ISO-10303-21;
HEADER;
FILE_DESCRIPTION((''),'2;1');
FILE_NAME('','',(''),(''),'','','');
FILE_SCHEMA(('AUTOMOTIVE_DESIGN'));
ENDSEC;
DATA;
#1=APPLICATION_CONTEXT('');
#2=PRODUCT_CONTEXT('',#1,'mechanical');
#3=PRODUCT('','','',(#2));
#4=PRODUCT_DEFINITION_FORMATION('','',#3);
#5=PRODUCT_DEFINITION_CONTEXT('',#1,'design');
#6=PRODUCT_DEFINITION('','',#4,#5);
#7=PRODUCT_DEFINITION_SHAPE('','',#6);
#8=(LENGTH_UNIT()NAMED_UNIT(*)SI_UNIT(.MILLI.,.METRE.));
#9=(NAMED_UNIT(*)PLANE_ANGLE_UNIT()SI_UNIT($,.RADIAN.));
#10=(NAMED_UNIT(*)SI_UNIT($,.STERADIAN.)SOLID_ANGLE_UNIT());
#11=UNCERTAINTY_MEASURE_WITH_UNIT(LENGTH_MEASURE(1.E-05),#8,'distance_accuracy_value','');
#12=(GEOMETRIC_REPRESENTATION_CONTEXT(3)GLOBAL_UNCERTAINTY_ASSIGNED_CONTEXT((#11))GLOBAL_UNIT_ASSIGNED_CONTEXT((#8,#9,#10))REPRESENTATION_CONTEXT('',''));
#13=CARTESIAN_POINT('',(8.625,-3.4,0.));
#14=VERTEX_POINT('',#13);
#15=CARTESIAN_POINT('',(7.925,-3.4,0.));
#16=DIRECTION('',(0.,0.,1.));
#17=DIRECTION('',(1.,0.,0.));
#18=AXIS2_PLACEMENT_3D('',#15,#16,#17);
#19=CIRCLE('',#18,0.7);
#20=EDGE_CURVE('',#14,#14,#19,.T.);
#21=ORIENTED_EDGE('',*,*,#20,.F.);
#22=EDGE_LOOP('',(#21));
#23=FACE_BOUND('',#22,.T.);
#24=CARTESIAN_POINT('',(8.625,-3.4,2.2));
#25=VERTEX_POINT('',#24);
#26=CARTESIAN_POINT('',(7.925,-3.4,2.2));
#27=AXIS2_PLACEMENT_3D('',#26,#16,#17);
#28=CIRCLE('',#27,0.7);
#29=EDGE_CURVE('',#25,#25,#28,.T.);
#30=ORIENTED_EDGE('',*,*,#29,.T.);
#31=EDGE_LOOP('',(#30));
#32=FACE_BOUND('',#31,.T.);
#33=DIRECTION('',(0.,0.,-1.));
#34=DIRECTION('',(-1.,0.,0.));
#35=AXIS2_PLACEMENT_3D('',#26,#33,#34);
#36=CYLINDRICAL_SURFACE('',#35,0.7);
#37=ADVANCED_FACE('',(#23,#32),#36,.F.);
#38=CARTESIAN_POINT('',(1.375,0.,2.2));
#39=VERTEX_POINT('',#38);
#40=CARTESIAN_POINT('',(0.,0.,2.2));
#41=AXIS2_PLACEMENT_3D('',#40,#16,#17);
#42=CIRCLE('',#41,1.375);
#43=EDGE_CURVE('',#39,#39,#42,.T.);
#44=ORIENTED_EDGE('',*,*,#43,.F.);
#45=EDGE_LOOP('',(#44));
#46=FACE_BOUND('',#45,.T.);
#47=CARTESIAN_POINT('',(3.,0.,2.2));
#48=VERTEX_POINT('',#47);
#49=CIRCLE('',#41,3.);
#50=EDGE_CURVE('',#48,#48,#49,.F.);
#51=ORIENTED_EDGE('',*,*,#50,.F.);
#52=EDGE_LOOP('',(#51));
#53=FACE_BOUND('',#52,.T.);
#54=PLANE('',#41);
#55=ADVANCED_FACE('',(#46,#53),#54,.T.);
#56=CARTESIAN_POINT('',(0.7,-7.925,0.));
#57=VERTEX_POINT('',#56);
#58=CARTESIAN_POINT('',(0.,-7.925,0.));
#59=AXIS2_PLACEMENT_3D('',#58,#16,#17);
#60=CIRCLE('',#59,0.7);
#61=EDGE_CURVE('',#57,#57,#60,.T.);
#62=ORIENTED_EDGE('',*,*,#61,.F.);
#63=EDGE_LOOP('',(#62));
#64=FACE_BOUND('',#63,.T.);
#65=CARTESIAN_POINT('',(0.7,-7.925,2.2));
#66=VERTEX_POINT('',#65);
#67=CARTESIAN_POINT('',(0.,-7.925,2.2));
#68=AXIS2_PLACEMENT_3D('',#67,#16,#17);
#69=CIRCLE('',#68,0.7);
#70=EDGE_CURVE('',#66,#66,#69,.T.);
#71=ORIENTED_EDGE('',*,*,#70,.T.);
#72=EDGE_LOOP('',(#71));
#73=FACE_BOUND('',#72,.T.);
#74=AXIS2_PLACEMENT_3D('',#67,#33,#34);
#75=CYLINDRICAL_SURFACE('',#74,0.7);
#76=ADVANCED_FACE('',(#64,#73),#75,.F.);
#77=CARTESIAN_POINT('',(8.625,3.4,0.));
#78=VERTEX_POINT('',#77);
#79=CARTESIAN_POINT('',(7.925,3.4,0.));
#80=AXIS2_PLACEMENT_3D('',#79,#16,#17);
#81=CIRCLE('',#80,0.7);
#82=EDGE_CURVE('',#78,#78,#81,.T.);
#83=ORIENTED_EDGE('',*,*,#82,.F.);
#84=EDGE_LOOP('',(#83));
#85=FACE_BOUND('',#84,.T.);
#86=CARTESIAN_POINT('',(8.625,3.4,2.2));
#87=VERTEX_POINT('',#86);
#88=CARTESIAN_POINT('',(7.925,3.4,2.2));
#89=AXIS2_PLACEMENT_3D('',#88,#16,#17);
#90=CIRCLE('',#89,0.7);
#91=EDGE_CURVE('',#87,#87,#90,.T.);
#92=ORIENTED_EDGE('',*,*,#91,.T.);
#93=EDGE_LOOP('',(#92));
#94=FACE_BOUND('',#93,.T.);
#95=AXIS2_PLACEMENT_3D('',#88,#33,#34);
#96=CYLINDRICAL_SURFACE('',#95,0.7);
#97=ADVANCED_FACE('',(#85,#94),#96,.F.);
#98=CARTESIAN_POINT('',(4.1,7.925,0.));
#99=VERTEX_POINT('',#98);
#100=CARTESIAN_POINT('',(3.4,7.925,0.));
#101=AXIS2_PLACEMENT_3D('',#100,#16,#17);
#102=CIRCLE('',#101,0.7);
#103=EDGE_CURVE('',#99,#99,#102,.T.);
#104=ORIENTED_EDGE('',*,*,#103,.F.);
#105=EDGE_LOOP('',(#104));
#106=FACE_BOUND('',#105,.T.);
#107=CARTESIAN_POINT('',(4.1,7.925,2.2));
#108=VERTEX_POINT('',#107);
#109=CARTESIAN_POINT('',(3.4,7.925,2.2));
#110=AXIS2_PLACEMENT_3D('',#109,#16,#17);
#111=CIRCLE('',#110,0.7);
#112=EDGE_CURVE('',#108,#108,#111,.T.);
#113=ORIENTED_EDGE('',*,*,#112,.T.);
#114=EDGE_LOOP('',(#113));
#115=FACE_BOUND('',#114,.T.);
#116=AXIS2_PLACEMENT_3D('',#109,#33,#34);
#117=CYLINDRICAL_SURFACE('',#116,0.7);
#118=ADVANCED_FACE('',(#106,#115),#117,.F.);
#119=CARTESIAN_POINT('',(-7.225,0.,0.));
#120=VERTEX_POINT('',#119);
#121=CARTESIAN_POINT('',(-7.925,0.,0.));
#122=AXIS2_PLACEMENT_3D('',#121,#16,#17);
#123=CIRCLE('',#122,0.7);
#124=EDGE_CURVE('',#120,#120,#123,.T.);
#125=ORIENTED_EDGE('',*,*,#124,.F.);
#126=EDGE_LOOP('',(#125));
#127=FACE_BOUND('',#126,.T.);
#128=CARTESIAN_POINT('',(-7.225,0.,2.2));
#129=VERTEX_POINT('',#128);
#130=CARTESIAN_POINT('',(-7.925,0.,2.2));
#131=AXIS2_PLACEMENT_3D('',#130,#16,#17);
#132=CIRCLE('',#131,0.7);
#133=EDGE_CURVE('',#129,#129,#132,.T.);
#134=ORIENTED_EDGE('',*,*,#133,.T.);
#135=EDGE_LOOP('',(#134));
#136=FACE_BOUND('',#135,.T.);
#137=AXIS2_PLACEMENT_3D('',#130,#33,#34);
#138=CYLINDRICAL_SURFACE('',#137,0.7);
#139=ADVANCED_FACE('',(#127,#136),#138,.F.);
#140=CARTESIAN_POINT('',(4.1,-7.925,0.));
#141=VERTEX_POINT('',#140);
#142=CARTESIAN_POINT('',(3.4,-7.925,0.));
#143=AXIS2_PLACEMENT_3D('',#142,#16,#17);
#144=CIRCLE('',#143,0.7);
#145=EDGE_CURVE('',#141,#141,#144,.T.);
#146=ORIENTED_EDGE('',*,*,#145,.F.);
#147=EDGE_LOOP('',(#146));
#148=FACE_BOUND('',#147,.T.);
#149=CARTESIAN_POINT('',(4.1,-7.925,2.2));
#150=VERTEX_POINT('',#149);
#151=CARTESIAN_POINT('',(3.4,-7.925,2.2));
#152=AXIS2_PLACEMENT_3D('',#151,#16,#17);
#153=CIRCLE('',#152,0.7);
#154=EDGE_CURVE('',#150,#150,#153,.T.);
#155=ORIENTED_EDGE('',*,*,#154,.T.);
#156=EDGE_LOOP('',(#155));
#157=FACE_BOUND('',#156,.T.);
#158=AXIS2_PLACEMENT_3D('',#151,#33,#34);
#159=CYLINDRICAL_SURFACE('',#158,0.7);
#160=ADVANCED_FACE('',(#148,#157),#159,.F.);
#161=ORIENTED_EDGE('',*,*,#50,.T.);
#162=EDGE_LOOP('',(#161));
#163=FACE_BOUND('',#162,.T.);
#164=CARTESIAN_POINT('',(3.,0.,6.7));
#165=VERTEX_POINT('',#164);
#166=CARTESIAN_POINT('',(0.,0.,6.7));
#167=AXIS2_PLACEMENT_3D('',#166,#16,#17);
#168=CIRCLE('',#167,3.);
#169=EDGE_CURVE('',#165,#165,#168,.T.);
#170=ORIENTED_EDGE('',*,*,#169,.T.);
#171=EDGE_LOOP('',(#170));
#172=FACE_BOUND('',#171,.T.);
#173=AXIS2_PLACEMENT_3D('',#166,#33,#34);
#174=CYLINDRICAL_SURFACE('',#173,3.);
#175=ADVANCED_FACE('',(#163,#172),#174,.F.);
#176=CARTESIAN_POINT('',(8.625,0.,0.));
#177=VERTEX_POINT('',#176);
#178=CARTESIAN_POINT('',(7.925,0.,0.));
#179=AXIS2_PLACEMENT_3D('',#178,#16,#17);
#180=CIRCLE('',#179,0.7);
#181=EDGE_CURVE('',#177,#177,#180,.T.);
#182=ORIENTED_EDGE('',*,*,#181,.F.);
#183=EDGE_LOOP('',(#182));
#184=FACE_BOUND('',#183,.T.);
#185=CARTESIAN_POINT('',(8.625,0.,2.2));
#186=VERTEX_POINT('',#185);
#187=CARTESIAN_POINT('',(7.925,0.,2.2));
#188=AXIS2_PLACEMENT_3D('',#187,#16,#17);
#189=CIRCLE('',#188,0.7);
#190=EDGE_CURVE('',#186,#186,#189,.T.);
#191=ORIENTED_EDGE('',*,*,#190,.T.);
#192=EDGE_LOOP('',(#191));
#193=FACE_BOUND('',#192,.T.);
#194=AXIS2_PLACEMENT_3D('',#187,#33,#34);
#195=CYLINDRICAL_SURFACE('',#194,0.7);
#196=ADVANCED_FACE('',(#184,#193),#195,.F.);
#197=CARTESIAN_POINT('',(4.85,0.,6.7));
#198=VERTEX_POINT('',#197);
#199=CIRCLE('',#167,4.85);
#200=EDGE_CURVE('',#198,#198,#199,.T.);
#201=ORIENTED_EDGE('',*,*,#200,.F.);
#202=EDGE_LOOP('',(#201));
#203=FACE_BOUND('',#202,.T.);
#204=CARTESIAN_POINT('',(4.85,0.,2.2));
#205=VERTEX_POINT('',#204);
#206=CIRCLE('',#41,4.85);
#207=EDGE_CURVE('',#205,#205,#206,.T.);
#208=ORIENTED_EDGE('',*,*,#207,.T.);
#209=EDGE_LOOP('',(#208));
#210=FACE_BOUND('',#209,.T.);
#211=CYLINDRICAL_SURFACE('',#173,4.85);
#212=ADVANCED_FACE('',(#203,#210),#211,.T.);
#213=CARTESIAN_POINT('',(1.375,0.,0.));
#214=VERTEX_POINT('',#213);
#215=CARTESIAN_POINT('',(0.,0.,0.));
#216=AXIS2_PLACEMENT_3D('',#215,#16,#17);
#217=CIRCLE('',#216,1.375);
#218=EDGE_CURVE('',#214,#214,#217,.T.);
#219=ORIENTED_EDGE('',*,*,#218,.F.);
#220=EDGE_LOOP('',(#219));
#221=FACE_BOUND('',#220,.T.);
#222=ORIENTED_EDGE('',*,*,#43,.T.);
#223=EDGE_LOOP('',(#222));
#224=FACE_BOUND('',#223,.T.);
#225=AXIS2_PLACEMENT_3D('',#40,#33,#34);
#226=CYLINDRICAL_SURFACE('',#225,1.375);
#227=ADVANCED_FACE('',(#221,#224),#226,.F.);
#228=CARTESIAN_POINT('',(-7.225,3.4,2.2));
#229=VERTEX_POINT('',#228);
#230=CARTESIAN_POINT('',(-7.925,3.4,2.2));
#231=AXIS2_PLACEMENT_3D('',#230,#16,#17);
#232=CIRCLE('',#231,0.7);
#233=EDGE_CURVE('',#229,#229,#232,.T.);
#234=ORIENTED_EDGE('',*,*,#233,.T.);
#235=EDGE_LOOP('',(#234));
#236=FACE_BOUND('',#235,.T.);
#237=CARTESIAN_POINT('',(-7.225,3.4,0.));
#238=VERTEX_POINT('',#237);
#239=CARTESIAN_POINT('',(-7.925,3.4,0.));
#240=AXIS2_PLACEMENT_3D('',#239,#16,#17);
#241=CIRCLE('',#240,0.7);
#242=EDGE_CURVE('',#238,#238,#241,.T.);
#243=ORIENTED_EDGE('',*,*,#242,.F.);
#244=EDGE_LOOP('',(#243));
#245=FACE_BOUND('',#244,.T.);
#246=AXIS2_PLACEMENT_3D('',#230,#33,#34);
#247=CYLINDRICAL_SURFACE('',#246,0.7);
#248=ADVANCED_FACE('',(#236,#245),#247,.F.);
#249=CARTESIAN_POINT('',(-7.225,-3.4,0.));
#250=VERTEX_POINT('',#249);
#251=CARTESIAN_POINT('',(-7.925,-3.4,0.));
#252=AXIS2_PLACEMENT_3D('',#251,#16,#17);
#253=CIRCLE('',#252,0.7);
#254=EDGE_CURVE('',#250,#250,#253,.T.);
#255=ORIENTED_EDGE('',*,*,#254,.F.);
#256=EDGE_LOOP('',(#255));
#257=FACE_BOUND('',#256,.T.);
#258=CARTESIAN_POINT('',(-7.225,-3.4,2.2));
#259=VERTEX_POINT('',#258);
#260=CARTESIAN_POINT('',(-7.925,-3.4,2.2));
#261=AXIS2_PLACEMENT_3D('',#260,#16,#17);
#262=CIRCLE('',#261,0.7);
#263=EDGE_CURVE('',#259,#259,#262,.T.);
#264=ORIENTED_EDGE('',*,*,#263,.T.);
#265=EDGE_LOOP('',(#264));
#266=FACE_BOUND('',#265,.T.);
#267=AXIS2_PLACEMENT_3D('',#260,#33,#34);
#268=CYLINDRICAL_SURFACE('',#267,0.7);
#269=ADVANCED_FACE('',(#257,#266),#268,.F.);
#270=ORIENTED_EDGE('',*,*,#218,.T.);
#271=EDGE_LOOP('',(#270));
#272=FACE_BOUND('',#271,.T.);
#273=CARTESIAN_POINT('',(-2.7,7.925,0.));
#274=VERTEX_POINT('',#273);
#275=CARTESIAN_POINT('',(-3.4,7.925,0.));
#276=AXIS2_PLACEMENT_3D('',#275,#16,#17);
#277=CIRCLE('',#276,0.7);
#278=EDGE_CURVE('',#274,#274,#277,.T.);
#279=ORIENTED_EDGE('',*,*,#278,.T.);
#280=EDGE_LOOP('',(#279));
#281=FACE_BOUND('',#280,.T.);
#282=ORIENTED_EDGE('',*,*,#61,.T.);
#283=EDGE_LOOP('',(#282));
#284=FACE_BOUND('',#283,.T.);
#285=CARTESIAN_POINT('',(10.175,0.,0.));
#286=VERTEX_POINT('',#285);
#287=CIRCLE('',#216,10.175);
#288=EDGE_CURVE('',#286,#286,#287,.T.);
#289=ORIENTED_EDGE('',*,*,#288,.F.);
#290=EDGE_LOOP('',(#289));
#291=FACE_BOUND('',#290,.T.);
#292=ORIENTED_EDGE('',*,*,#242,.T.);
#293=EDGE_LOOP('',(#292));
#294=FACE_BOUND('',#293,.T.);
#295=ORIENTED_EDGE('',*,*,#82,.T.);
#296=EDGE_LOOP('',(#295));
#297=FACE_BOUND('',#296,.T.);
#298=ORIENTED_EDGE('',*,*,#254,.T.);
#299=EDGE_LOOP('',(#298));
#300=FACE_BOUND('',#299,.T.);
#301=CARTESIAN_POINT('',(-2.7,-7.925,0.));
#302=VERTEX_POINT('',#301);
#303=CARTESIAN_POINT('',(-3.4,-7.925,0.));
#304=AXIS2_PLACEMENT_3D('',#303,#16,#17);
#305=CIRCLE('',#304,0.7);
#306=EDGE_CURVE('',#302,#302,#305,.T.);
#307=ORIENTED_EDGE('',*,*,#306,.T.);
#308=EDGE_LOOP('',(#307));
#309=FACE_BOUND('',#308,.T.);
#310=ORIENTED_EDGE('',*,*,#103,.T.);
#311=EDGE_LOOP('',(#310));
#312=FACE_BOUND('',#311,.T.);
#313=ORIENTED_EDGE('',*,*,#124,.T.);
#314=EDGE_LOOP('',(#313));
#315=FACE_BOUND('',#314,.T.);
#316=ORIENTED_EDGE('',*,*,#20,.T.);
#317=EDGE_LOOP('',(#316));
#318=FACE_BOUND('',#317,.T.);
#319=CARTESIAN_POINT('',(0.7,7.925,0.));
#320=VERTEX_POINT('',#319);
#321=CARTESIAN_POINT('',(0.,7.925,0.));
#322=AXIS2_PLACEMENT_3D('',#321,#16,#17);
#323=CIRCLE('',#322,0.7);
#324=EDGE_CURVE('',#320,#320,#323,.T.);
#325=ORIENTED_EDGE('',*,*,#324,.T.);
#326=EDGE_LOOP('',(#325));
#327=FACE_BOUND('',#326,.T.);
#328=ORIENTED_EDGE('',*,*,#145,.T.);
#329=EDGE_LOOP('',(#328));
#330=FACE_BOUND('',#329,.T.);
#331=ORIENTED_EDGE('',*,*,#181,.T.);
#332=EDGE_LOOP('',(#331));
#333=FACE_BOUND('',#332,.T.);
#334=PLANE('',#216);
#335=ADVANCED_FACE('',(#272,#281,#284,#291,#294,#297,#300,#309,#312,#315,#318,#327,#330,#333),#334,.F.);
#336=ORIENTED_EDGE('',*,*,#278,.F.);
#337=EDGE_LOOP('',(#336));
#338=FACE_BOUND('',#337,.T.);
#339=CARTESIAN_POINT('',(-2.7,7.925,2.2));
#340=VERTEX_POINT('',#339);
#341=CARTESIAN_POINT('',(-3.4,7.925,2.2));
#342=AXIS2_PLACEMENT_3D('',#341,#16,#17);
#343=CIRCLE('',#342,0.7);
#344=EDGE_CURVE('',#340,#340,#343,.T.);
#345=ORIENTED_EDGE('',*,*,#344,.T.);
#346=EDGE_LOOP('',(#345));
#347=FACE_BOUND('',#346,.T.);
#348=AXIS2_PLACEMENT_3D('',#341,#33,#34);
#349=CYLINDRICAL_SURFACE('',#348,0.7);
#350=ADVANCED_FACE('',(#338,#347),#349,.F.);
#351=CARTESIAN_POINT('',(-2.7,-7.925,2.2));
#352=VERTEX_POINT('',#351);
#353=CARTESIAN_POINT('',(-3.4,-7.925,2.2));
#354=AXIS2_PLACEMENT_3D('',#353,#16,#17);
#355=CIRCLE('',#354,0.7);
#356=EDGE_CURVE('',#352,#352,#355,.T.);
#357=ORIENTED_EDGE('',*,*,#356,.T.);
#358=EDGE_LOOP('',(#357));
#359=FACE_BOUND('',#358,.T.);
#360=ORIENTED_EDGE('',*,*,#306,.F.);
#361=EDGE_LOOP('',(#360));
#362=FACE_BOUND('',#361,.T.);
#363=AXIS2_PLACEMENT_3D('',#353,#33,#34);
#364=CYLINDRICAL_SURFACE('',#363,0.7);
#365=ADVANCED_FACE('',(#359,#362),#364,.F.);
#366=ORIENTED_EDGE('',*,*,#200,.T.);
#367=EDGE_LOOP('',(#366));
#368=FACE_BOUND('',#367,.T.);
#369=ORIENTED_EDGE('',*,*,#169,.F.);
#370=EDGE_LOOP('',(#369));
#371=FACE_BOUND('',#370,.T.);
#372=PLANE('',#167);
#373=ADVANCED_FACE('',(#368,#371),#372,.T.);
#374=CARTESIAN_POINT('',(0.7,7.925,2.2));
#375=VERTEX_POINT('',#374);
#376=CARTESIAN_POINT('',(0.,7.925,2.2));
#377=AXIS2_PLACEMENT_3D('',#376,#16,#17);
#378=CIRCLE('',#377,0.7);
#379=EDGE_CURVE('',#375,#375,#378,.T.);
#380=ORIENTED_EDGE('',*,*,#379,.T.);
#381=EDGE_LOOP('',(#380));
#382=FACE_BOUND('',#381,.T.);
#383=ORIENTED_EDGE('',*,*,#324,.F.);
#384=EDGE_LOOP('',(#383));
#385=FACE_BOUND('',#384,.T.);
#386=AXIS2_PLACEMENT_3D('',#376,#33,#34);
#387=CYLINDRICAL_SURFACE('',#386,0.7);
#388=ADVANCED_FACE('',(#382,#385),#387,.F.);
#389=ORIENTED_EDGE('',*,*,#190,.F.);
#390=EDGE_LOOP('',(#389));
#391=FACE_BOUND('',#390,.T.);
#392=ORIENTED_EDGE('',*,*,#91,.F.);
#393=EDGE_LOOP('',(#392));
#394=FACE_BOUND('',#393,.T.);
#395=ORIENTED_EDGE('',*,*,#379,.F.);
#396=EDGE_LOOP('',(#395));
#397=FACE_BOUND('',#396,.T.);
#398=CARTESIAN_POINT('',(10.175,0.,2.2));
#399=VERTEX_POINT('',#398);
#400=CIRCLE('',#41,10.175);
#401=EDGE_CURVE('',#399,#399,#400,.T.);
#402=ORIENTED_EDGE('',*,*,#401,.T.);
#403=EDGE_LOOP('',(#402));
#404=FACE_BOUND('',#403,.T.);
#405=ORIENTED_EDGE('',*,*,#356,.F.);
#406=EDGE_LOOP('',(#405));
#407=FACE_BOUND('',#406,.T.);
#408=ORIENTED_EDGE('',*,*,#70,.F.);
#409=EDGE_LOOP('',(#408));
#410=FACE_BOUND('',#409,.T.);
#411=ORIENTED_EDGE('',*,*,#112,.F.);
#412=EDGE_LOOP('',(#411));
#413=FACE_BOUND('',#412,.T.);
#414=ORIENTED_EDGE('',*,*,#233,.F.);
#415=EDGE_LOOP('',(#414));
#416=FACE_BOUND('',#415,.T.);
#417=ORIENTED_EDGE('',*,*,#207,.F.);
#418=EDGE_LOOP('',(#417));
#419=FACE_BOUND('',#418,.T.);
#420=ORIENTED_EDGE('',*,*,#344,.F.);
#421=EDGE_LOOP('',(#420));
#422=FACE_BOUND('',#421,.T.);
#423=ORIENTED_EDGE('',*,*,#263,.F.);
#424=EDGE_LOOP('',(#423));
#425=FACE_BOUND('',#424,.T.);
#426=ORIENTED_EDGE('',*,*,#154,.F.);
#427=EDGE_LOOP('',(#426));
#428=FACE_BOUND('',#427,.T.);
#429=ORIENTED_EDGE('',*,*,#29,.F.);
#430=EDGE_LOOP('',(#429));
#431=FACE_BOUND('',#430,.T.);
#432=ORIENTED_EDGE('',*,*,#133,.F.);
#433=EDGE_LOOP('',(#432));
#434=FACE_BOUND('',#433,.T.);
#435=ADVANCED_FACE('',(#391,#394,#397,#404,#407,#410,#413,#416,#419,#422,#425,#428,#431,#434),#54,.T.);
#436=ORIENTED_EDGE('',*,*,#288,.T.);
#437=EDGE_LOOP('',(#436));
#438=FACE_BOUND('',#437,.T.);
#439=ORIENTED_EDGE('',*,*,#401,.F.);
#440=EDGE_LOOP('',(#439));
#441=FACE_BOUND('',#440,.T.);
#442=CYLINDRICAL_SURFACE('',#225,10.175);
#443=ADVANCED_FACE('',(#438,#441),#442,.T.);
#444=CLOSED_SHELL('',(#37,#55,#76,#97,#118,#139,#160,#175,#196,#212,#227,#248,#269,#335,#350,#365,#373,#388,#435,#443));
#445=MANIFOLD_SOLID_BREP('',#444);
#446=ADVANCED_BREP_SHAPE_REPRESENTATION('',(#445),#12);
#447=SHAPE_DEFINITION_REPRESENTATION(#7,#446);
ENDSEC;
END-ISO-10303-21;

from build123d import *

# Parameters (mm, degrees)
SKETCH_1_R      = 10.175
SKETCH_1_R_2    = 1.375
SKETCH_1_R_3    = 0.7
EXTRUDE_1_DEPTH = 2.2
SKETCH_2_R      = 4.85
SKETCH_2_R_2    = 3
EXTRUDE_2_DEPTH = 4.5


with BuildPart() as part:
    # 草圖1 → 填料-伸長1 (new body)
    with BuildSketch(Plane.XY):
        Circle(SKETCH_1_R)
        Circle(SKETCH_1_R_2, mode=Mode.SUBTRACT)
        with Locations((7.925, 0)):
            Circle(SKETCH_1_R_3, mode=Mode.SUBTRACT)
        with Locations((7.925, 3.4)):
            Circle(SKETCH_1_R_3, mode=Mode.SUBTRACT)
        with Locations((7.925, -3.4)):
            Circle(SKETCH_1_R_3, mode=Mode.SUBTRACT)
        with Locations((-7.925, 0)):
            Circle(SKETCH_1_R_3, mode=Mode.SUBTRACT)
        with Locations((-7.925, 3.4)):
            Circle(SKETCH_1_R_3, mode=Mode.SUBTRACT)
        with Locations((-7.925, -3.4)):
            Circle(SKETCH_1_R_3, mode=Mode.SUBTRACT)
        with Locations((0, -7.925)):
            Circle(SKETCH_1_R_3, mode=Mode.SUBTRACT)
        with Locations((-3.4, -7.925)):
            Circle(SKETCH_1_R_3, mode=Mode.SUBTRACT)
        with Locations((3.4, -7.925)):
            Circle(SKETCH_1_R_3, mode=Mode.SUBTRACT)
        with Locations((0, 7.925)):
            Circle(SKETCH_1_R_3, mode=Mode.SUBTRACT)
        with Locations((3.4, 7.925)):
            Circle(SKETCH_1_R_3, mode=Mode.SUBTRACT)
        with Locations((-3.4, 7.925)):
            Circle(SKETCH_1_R_3, mode=Mode.SUBTRACT)
    extrude(amount=EXTRUDE_1_DEPTH)

    # 草圖2 → 填料-伸長2 (add)
    with BuildSketch(Plane.XY.offset(2.2)):
        Circle(SKETCH_2_R)
        Circle(SKETCH_2_R_2, mode=Mode.SUBTRACT)
    extrude(amount=EXTRUDE_2_DEPTH)


solid = part.part
